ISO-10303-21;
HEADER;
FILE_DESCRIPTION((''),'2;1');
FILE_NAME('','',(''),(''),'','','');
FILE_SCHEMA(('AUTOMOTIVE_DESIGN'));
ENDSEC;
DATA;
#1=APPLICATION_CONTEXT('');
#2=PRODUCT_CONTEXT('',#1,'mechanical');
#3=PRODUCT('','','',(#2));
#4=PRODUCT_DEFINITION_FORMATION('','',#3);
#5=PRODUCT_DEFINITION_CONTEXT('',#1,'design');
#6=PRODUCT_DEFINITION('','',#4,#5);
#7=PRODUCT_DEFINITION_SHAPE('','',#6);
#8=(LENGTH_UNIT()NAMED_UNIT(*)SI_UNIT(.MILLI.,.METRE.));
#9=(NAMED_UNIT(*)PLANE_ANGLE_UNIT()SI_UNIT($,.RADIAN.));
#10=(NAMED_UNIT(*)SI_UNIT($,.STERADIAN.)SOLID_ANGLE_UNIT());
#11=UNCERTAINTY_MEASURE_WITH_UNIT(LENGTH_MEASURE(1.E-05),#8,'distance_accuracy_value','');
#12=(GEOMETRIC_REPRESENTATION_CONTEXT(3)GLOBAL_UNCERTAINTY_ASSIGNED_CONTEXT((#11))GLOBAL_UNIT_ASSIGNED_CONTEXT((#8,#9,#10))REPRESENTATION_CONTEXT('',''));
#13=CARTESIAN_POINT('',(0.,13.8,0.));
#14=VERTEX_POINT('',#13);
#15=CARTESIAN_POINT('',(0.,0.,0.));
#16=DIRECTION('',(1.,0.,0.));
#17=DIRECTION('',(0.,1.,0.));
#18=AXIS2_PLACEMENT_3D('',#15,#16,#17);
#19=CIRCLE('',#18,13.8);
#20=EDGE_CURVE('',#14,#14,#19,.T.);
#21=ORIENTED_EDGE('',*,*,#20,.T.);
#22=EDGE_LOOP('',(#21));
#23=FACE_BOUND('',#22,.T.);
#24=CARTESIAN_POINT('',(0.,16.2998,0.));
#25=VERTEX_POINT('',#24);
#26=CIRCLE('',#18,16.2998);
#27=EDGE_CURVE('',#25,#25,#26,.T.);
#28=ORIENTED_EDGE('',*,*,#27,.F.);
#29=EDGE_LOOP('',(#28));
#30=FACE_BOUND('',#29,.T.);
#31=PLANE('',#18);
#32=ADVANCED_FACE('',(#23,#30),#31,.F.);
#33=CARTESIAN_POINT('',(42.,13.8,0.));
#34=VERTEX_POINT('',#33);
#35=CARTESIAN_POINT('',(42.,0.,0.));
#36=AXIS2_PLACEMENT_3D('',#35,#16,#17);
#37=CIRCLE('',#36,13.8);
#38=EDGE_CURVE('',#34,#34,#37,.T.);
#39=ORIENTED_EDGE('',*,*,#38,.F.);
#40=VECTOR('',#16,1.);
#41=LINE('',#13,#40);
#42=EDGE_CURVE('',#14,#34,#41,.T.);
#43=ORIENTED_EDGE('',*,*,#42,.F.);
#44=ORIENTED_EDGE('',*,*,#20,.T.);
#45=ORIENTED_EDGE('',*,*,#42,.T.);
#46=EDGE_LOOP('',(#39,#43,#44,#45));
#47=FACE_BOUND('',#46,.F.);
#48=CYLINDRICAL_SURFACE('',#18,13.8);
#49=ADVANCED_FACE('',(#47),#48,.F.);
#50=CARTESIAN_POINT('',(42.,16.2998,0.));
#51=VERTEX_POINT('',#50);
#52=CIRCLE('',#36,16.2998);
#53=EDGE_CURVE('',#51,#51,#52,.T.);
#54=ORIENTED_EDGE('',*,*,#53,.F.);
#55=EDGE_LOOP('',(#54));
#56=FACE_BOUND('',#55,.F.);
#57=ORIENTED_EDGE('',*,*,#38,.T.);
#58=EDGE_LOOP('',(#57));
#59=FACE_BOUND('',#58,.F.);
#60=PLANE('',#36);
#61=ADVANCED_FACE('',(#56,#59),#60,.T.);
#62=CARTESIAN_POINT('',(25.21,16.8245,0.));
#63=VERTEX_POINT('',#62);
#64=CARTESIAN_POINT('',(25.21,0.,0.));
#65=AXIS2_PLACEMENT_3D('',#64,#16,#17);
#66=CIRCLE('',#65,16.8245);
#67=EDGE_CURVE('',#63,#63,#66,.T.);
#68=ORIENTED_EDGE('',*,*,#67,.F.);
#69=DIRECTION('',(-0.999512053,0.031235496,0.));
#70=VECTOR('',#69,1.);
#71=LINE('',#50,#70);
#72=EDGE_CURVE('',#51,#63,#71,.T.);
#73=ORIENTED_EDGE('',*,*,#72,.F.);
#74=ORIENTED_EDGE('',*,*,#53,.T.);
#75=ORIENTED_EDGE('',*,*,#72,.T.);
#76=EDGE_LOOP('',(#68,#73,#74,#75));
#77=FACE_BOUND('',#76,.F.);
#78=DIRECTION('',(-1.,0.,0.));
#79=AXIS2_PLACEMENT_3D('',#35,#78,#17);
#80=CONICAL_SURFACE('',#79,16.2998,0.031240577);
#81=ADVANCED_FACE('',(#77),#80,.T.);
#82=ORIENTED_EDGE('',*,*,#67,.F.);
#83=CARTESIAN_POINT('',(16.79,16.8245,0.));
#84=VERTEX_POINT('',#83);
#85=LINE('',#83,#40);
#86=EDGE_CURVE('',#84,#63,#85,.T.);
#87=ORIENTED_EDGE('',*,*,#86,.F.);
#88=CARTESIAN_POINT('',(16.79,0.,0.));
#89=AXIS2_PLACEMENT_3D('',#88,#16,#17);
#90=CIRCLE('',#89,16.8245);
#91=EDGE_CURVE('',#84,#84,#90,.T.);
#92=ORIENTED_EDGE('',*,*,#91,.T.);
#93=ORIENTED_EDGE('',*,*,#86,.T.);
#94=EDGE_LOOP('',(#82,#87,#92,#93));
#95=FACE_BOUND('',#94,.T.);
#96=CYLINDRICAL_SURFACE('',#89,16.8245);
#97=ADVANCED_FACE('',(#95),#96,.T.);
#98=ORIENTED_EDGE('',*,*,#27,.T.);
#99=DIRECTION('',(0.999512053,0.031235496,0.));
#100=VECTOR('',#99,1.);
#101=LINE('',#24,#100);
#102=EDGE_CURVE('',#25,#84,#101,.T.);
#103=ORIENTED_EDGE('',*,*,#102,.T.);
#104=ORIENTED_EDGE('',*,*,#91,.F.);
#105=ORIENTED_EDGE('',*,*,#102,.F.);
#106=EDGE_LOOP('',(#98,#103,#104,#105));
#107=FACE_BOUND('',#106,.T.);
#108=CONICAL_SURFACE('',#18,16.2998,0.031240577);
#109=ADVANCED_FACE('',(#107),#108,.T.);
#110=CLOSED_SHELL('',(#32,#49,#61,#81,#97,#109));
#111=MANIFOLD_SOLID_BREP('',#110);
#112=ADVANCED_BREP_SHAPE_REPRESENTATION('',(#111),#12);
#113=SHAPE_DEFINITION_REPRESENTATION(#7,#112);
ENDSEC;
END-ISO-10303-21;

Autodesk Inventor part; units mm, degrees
ref_plane "YZ Plane" through (0, 0, 0) normal (1, 0, 0) x (0, 1, 0)
ref_plane "XZ Plane" through (0, 0, 0) normal (0, 1, 0) x (-1, 0, 0)
ref_plane "XY Plane" through (0, 0, 0) normal (0, 0, 1) x (1, 0, 0)
sketch "Sketch1" plane through (0, 0, 0) normal (0, 0, 1) x (1, 0, 0)
  line L0 (0, 0) -> (42, 0)
  line L1 (42, 13.8) -> (42, 16.2998)
  line L2 (42, 13.8) -> (42, 0) construction
  line L3 (0, 13.8) -> (0, 16.2998)
  line L4 (0, 13.8) -> (0, 0) construction
  line L5 (0, 13.8) -> (42, 13.8)
  line L6 (0, 16.2998) -> (16.79, 16.8245)
  line L7 (21, 16.8245) -> (21, 0) construction
  line L8 (10.39, 16.6245) -> (10.39, 0) construction
  line L9 (42, 16.2998) -> (25.21, 16.8245)
  line L10 (16.79, 16.8245) -> (25.21, 16.8245)
  line L11 (16.79, 16.8245) -> (16.79, 0) construction
  line L12 (25.21, 16.8245) -> (25.21, 0) construction
  dimension "d1" = 1.79
  dimension "d2" = 42
  dimension "d7" = 10.39
  dimension "d8" = 33.249
  dimension "d57" = 27.6
  dimension "d60" = 16.79
  dimension "d62" = 0
revolve "Revolution1" add sketch "Sketch1" angle 360 about axis through (0, 0, 0) along (1, 0, 0)
thread "Thread1" size "R 1" standard "JIS Taper" length 18.9
thread "Thread2" size "R 1" standard "JIS Taper" length 18.9
equation "\"d2\" = L"
equation "\"d7\" = a"
equation "\"d8\" = MjD"
equation "\"d57\" = d"
equation "\"d60\" = ll"
equation "\"d3\" = 0.45 * L"
equation "\"d5\" = 0.45 * L"
equation "\"MjD\" = 33.249"
equation "\"d\" = 27.6"
equation "\"a\" = 10.39"
equation "\"ll\" = 16.79"
properties part number "JIS B 2302 Barrel Nipple 1" material "Steel, Carbon"
